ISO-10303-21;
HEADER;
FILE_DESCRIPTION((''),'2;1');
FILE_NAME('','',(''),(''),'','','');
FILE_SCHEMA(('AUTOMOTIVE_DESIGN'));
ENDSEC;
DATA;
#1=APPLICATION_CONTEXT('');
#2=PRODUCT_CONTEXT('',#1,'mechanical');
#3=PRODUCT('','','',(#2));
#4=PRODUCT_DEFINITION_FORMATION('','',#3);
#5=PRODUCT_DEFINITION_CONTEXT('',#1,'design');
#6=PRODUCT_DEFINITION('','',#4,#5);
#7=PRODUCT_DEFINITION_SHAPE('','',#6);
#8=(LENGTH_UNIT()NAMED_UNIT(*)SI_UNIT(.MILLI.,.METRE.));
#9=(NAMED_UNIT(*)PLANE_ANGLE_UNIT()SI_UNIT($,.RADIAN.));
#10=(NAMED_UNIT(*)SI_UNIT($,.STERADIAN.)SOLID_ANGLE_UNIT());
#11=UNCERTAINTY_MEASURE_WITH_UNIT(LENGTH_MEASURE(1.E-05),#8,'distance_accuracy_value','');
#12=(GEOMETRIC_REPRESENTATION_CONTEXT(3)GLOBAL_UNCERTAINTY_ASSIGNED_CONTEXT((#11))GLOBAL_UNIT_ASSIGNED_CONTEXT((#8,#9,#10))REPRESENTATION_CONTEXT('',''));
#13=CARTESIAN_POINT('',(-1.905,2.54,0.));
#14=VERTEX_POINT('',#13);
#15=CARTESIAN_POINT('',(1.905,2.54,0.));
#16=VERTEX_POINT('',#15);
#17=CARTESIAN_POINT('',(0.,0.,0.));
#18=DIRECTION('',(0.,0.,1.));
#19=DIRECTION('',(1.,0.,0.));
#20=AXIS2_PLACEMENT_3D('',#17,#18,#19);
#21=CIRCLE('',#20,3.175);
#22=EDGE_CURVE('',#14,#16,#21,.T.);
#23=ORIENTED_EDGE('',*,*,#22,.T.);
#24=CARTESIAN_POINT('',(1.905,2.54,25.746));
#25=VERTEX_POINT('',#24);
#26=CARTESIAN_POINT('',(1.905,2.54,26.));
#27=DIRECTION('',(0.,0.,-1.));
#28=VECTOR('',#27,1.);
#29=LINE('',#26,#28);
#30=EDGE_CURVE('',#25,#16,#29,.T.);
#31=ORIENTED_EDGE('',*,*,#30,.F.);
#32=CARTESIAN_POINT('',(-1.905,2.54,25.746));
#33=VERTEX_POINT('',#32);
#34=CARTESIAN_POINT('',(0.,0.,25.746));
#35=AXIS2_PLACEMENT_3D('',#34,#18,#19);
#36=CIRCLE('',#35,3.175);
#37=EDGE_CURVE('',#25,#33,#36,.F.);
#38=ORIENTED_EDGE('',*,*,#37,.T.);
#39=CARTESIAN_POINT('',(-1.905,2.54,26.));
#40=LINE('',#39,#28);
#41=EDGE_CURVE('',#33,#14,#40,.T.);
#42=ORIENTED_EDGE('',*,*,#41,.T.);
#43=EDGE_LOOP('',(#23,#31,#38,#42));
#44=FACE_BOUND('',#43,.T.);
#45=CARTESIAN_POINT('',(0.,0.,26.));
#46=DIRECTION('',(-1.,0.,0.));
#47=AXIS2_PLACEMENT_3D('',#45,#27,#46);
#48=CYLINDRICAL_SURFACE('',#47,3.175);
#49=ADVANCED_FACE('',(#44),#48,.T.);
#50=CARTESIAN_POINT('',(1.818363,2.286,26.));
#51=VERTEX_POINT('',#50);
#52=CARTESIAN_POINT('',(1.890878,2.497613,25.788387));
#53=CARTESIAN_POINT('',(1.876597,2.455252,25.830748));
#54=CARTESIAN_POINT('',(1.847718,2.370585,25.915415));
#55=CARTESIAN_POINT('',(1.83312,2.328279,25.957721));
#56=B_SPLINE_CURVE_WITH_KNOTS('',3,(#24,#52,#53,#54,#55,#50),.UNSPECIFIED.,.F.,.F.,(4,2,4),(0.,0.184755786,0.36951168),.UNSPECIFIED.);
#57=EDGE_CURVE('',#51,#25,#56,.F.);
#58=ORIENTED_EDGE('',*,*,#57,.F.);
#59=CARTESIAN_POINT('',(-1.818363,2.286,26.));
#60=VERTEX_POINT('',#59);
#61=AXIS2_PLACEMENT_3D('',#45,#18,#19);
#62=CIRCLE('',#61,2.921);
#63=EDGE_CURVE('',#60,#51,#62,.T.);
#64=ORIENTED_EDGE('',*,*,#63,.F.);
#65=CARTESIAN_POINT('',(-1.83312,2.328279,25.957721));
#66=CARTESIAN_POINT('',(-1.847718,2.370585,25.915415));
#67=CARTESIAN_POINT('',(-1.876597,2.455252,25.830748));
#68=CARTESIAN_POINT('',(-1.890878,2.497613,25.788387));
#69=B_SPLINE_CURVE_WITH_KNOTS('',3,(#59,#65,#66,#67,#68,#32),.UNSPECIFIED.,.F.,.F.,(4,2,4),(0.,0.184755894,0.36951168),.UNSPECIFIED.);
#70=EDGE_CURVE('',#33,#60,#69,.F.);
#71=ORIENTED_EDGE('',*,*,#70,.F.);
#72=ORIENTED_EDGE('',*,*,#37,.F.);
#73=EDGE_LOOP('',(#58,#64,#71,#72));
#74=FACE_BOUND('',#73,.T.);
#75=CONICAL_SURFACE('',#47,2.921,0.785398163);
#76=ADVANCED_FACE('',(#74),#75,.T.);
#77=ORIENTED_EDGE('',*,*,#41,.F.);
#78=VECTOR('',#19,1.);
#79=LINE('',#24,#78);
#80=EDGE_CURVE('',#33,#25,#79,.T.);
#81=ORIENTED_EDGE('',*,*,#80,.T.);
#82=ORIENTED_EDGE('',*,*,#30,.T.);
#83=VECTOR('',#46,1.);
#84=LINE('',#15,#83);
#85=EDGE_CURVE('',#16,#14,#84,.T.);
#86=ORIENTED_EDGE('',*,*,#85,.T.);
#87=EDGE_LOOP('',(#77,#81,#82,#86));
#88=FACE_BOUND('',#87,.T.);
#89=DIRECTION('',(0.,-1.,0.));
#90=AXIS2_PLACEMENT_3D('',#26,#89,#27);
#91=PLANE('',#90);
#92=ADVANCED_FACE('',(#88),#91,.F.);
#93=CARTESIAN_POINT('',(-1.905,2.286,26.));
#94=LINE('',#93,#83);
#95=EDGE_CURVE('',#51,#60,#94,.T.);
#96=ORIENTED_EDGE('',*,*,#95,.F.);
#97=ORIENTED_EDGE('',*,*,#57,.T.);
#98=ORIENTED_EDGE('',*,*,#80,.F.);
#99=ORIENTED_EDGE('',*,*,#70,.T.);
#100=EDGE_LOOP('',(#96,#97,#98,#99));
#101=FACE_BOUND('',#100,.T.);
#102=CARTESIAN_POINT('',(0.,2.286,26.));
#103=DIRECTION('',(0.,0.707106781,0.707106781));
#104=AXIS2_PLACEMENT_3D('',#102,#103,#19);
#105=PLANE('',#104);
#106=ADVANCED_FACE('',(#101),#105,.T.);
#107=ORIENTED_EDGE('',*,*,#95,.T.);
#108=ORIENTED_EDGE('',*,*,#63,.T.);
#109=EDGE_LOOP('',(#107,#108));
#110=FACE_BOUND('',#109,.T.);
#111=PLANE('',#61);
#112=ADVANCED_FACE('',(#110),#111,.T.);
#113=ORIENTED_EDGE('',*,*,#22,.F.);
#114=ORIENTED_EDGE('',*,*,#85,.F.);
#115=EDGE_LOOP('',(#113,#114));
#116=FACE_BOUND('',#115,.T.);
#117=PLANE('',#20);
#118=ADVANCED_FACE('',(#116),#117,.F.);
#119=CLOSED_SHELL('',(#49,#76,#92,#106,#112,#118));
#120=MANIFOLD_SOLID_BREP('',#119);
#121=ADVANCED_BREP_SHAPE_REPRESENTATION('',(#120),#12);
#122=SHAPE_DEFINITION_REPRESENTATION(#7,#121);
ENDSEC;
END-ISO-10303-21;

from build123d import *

# Parameters (mm, degrees)
BOSS_EXTRUDE1_DEPTH = 26
CHAMFER1_SIZE       = 0.254


with BuildPart() as part:
    # Sketch1 → Boss-Extrude1 (new body)
    with BuildSketch(Plane.XY):
        with BuildLine():
            Line((1.905, 2.54), (-1.905, 2.54))
            ThreePointArc((-1.905, 2.54), (0, -3.175), (1.905, 2.54))
        make_face()
    extrude(amount=BOSS_EXTRUDE1_DEPTH)

    # Chamfer1
    chamfer1_edges = [part.edges().sort_by_distance(p)[0] for p in [
        (0, -3.175, 26),
        (0, 2.54, 26),
    ]]
    chamfer(chamfer1_edges, length=CHAMFER1_SIZE)


solid = part.part
